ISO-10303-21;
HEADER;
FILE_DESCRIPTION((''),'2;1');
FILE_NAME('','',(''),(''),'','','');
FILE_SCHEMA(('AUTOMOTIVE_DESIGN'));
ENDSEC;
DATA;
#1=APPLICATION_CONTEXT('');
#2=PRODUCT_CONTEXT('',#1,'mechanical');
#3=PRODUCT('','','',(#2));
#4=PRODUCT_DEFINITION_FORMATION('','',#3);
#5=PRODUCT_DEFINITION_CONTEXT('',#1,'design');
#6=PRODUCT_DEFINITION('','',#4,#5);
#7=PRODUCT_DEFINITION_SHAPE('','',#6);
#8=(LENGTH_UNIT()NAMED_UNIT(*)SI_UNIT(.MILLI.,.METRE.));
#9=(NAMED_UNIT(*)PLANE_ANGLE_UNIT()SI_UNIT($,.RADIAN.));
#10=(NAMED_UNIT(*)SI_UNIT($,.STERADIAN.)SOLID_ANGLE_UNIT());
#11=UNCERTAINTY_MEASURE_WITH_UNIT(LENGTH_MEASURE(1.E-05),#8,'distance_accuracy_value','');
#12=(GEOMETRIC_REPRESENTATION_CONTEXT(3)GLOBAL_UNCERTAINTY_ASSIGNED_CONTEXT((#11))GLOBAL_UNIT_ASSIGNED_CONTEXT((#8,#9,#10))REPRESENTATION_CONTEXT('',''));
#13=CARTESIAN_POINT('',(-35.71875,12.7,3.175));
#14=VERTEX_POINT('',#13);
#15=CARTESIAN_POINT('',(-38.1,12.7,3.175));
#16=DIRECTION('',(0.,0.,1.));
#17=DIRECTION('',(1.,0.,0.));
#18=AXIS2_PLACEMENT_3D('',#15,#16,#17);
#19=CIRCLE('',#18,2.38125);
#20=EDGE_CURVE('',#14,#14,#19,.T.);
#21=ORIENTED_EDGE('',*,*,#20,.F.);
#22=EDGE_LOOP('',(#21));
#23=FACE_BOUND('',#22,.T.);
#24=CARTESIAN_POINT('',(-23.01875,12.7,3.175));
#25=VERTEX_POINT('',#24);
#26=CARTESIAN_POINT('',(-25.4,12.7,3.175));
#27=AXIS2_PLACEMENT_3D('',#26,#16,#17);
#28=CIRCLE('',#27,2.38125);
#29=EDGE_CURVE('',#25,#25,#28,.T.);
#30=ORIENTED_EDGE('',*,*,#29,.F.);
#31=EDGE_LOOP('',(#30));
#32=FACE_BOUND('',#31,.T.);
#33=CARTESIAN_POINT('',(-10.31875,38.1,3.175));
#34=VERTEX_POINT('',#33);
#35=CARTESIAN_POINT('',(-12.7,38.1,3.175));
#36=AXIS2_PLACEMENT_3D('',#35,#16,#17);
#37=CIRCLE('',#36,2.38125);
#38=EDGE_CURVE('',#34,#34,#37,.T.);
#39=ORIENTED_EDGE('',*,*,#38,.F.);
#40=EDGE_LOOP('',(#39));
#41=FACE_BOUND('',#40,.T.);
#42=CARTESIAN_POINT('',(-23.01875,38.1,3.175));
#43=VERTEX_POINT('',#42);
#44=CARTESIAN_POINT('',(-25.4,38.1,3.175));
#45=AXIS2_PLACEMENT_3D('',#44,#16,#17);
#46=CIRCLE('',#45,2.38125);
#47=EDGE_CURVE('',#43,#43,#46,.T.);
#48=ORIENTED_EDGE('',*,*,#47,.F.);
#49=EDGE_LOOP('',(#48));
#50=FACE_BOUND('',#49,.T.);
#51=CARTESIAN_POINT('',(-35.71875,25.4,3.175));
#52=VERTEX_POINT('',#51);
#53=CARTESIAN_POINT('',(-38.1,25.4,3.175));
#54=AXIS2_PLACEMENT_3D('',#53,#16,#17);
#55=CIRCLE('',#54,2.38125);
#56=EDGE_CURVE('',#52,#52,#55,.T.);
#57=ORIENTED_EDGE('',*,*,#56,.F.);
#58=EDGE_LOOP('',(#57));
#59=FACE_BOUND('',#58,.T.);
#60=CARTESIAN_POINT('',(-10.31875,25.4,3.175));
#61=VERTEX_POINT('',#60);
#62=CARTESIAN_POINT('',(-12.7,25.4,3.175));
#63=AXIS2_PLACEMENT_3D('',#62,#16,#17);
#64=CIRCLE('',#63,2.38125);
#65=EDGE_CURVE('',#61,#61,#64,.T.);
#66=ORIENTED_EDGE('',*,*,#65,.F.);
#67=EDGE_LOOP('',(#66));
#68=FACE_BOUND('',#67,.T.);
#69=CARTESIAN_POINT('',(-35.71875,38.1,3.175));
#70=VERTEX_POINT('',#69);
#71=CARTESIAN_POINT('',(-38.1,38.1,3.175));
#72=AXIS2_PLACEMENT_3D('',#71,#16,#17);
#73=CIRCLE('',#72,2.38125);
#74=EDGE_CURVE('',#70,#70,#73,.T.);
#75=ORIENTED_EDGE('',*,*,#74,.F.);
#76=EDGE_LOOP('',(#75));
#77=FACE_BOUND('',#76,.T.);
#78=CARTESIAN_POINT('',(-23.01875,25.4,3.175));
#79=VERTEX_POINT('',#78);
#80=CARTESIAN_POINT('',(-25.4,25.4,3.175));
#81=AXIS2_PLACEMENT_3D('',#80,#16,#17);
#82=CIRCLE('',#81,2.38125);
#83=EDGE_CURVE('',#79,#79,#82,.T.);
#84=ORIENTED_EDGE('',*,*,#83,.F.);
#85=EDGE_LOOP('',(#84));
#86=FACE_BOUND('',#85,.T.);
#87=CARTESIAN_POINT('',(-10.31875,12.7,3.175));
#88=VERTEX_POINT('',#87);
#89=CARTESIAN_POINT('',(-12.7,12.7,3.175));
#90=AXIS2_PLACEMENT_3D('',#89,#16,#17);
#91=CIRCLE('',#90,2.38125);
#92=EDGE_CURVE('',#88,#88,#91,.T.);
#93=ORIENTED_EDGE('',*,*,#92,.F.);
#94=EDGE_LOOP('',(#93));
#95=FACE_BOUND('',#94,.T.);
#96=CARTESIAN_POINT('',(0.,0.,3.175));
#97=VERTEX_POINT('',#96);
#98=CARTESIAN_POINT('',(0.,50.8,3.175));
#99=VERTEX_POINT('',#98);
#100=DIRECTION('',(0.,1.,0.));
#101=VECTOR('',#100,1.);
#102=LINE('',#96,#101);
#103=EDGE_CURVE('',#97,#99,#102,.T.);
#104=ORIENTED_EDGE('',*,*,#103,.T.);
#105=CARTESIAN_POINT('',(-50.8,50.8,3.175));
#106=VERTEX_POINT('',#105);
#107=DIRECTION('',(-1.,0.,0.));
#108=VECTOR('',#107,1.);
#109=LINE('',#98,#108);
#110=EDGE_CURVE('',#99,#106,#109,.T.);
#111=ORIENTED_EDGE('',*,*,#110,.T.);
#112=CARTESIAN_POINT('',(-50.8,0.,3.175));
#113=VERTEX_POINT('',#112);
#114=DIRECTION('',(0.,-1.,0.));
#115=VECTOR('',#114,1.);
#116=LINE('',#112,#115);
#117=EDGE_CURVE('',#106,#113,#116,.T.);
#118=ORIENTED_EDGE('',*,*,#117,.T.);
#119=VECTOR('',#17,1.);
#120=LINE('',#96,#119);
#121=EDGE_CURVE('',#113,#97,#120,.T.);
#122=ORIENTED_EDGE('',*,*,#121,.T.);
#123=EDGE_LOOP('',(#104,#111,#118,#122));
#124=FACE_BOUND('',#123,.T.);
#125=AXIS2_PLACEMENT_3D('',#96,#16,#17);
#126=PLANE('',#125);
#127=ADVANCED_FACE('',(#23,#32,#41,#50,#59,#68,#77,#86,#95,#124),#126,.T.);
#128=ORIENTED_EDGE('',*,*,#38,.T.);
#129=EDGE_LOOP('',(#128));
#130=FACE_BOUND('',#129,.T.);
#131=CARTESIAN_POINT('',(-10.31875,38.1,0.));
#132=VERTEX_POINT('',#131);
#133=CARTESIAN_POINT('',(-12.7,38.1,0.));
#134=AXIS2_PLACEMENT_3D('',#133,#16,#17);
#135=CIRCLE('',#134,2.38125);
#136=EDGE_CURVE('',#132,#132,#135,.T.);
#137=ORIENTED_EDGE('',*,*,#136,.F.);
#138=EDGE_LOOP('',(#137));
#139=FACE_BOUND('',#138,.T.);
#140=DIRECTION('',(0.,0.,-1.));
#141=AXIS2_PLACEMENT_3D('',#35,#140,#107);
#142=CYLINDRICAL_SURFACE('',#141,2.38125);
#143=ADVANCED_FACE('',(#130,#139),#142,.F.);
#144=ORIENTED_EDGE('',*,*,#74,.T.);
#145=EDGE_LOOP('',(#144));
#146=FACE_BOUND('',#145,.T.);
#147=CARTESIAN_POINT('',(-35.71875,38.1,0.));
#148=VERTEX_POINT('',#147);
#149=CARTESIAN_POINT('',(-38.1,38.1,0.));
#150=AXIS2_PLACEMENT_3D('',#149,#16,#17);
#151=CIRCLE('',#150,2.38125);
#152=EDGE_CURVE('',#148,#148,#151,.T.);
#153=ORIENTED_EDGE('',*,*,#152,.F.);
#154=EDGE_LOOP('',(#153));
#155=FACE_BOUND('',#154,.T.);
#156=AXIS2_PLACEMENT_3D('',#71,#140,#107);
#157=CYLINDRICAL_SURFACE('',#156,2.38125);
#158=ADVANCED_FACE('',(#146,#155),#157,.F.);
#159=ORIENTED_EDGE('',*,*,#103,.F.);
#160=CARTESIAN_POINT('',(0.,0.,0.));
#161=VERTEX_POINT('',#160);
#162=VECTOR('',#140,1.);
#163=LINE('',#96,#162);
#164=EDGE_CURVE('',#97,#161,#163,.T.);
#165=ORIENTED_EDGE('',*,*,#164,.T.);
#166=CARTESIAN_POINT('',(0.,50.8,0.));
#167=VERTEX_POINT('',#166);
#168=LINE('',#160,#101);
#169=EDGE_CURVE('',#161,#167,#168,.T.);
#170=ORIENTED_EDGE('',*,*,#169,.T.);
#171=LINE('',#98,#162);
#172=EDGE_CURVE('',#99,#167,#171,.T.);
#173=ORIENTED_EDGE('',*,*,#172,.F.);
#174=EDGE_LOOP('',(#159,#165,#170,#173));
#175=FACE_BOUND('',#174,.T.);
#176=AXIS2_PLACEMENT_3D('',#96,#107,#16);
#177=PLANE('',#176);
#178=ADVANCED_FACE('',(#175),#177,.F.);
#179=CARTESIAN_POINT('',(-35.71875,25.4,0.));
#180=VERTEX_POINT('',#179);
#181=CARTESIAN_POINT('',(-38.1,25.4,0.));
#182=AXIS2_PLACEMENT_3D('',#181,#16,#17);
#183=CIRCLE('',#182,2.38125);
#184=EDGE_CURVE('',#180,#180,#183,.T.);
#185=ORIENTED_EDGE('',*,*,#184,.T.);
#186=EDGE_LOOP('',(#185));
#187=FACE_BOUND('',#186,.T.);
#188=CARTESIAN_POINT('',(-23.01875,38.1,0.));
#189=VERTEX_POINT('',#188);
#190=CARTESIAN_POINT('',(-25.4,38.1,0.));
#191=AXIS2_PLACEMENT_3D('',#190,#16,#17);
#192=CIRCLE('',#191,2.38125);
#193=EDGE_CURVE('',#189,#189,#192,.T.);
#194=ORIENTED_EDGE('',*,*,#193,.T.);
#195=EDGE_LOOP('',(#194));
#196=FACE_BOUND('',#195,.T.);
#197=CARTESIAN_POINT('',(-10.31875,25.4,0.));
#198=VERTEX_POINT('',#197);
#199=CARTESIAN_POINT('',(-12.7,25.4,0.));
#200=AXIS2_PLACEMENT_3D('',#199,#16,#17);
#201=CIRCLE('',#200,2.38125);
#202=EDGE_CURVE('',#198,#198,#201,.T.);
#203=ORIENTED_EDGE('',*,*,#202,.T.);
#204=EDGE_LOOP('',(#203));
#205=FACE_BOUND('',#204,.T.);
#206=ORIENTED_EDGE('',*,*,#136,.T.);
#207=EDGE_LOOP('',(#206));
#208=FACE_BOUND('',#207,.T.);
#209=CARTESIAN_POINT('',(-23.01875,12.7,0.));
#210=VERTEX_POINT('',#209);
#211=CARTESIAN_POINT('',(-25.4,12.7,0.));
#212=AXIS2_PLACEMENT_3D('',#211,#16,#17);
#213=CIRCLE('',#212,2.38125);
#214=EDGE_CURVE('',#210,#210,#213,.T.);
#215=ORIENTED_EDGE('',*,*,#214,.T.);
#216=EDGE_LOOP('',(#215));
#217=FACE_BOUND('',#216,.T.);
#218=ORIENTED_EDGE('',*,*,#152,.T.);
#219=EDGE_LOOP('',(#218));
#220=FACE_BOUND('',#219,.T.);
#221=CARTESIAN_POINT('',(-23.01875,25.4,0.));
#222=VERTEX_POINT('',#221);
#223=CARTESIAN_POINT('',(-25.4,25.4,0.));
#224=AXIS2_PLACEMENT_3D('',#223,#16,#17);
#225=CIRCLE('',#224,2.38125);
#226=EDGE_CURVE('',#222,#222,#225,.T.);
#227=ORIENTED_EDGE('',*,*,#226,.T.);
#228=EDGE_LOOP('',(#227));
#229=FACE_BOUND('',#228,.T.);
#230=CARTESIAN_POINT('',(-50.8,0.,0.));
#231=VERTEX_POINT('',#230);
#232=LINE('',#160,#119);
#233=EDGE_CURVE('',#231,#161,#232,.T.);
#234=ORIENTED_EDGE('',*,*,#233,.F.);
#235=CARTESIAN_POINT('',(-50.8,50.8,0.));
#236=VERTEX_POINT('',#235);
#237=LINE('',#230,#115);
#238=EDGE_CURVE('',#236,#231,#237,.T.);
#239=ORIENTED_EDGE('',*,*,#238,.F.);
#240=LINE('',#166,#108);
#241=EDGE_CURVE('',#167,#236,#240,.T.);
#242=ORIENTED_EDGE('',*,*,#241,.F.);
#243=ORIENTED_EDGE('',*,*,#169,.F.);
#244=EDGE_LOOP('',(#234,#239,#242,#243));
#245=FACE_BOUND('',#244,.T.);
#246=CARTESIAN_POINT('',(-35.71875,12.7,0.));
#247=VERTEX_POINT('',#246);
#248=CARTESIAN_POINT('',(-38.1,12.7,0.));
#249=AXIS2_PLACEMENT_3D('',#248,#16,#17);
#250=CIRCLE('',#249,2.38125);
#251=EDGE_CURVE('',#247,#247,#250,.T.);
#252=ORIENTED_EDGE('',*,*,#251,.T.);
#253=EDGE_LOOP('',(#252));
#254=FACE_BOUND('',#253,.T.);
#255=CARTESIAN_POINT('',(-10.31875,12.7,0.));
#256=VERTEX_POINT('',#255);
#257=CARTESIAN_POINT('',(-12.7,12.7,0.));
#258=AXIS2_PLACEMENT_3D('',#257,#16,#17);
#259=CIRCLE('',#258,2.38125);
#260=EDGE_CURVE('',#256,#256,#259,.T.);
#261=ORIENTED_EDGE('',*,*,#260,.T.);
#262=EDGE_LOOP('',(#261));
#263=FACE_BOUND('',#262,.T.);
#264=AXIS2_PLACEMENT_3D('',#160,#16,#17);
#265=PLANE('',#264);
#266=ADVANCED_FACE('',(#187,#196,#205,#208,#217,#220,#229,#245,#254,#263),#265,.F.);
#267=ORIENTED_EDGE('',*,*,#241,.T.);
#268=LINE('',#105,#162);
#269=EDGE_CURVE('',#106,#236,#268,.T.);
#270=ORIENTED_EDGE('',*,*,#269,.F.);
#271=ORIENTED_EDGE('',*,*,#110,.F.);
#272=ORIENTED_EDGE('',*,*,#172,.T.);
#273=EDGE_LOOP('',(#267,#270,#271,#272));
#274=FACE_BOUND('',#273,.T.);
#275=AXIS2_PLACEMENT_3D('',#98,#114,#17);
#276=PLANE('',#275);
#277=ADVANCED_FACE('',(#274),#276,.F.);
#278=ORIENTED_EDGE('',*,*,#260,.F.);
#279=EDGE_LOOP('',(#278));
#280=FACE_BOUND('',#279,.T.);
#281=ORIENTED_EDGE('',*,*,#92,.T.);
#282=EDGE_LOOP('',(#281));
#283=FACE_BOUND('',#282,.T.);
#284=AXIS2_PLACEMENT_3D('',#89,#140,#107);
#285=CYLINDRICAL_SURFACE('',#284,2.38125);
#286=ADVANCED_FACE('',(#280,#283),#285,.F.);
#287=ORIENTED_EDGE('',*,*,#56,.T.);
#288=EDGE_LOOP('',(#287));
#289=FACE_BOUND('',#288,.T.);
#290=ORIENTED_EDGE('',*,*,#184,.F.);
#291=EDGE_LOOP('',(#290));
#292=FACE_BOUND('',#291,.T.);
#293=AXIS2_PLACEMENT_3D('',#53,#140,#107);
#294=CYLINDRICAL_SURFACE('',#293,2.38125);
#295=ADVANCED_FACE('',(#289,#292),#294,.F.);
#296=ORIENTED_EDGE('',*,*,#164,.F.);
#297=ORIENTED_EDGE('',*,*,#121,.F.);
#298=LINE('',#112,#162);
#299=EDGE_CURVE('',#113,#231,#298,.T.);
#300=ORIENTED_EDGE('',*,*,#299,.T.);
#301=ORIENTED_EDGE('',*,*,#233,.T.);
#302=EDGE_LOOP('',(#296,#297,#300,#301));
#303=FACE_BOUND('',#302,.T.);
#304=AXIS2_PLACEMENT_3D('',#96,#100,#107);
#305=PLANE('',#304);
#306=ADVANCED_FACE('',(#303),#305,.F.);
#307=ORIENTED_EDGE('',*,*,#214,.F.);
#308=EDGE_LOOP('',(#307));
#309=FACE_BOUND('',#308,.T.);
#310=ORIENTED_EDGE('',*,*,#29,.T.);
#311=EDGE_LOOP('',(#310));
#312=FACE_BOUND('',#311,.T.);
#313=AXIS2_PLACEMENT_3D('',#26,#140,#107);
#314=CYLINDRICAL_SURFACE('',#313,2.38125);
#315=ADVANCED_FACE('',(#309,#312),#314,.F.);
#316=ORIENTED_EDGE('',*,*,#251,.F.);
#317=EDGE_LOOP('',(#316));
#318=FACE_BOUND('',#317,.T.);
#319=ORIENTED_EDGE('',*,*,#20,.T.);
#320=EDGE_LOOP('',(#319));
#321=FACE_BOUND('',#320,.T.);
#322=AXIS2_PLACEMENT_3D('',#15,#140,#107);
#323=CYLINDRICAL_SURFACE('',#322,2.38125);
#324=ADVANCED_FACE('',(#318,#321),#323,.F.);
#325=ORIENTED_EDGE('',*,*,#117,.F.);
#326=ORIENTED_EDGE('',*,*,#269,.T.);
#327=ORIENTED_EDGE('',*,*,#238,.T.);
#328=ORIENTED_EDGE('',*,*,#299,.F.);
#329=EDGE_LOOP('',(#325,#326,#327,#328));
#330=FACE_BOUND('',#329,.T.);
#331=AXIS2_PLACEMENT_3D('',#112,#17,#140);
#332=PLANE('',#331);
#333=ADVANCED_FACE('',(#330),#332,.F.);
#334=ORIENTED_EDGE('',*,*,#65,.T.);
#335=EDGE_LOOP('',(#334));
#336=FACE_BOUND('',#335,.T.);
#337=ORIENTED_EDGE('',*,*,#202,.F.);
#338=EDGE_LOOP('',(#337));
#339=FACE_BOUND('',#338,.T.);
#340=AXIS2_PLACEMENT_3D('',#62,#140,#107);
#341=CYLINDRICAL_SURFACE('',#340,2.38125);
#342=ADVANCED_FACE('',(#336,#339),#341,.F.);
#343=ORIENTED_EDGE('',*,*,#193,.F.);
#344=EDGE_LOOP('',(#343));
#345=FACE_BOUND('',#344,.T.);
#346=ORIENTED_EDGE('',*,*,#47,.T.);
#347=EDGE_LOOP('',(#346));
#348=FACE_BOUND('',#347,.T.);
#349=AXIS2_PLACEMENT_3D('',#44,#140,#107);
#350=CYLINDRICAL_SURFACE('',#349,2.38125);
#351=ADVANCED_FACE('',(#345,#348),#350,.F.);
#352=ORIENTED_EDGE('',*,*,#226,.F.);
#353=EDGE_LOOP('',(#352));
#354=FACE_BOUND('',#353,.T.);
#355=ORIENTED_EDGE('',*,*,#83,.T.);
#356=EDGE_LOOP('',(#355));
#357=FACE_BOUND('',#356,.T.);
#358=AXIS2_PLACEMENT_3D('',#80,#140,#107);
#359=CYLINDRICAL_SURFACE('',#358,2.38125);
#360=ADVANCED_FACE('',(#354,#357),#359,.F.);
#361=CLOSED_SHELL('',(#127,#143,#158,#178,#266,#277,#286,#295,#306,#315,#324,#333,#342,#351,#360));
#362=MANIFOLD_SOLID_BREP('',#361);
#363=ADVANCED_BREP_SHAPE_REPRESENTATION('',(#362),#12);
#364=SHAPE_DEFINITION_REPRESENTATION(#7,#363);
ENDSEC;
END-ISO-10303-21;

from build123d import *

# Parameters (mm, degrees)
SKETCH1_W           = 50.8
SKETCH1_H           = 50.8
SKETCH1_R           = 2.38125
BOSS_EXTRUDE1_DEPTH = 3.175


with BuildPart() as part:
    # Sketch1 → Boss-Extrude1 (new body)
    with BuildSketch(Plane.XY):
        with Locations((-25.4, 25.4)):
            Rectangle(SKETCH1_W, SKETCH1_H)
        with Locations((-12.7, 12.7)):
            Circle(SKETCH1_R, mode=Mode.SUBTRACT)
        with Locations((-25.4, 12.7)):
            Circle(SKETCH1_R, mode=Mode.SUBTRACT)
        with Locations((-38.1, 12.7)):
            Circle(SKETCH1_R, mode=Mode.SUBTRACT)
        with Locations((-25.4, 25.4)):
            Circle(SKETCH1_R, mode=Mode.SUBTRACT)
        with Locations((-38.1, 25.4)):
            Circle(SKETCH1_R, mode=Mode.SUBTRACT)
        with Locations((-25.4, 38.1)):
            Circle(SKETCH1_R, mode=Mode.SUBTRACT)
        with Locations((-38.1, 38.1)):
            Circle(SKETCH1_R, mode=Mode.SUBTRACT)
        with Locations((-12.7, 25.4)):
            Circle(SKETCH1_R, mode=Mode.SUBTRACT)
        with Locations((-12.7, 38.1)):
            Circle(SKETCH1_R, mode=Mode.SUBTRACT)
    extrude(amount=BOSS_EXTRUDE1_DEPTH)


solid = part.part
